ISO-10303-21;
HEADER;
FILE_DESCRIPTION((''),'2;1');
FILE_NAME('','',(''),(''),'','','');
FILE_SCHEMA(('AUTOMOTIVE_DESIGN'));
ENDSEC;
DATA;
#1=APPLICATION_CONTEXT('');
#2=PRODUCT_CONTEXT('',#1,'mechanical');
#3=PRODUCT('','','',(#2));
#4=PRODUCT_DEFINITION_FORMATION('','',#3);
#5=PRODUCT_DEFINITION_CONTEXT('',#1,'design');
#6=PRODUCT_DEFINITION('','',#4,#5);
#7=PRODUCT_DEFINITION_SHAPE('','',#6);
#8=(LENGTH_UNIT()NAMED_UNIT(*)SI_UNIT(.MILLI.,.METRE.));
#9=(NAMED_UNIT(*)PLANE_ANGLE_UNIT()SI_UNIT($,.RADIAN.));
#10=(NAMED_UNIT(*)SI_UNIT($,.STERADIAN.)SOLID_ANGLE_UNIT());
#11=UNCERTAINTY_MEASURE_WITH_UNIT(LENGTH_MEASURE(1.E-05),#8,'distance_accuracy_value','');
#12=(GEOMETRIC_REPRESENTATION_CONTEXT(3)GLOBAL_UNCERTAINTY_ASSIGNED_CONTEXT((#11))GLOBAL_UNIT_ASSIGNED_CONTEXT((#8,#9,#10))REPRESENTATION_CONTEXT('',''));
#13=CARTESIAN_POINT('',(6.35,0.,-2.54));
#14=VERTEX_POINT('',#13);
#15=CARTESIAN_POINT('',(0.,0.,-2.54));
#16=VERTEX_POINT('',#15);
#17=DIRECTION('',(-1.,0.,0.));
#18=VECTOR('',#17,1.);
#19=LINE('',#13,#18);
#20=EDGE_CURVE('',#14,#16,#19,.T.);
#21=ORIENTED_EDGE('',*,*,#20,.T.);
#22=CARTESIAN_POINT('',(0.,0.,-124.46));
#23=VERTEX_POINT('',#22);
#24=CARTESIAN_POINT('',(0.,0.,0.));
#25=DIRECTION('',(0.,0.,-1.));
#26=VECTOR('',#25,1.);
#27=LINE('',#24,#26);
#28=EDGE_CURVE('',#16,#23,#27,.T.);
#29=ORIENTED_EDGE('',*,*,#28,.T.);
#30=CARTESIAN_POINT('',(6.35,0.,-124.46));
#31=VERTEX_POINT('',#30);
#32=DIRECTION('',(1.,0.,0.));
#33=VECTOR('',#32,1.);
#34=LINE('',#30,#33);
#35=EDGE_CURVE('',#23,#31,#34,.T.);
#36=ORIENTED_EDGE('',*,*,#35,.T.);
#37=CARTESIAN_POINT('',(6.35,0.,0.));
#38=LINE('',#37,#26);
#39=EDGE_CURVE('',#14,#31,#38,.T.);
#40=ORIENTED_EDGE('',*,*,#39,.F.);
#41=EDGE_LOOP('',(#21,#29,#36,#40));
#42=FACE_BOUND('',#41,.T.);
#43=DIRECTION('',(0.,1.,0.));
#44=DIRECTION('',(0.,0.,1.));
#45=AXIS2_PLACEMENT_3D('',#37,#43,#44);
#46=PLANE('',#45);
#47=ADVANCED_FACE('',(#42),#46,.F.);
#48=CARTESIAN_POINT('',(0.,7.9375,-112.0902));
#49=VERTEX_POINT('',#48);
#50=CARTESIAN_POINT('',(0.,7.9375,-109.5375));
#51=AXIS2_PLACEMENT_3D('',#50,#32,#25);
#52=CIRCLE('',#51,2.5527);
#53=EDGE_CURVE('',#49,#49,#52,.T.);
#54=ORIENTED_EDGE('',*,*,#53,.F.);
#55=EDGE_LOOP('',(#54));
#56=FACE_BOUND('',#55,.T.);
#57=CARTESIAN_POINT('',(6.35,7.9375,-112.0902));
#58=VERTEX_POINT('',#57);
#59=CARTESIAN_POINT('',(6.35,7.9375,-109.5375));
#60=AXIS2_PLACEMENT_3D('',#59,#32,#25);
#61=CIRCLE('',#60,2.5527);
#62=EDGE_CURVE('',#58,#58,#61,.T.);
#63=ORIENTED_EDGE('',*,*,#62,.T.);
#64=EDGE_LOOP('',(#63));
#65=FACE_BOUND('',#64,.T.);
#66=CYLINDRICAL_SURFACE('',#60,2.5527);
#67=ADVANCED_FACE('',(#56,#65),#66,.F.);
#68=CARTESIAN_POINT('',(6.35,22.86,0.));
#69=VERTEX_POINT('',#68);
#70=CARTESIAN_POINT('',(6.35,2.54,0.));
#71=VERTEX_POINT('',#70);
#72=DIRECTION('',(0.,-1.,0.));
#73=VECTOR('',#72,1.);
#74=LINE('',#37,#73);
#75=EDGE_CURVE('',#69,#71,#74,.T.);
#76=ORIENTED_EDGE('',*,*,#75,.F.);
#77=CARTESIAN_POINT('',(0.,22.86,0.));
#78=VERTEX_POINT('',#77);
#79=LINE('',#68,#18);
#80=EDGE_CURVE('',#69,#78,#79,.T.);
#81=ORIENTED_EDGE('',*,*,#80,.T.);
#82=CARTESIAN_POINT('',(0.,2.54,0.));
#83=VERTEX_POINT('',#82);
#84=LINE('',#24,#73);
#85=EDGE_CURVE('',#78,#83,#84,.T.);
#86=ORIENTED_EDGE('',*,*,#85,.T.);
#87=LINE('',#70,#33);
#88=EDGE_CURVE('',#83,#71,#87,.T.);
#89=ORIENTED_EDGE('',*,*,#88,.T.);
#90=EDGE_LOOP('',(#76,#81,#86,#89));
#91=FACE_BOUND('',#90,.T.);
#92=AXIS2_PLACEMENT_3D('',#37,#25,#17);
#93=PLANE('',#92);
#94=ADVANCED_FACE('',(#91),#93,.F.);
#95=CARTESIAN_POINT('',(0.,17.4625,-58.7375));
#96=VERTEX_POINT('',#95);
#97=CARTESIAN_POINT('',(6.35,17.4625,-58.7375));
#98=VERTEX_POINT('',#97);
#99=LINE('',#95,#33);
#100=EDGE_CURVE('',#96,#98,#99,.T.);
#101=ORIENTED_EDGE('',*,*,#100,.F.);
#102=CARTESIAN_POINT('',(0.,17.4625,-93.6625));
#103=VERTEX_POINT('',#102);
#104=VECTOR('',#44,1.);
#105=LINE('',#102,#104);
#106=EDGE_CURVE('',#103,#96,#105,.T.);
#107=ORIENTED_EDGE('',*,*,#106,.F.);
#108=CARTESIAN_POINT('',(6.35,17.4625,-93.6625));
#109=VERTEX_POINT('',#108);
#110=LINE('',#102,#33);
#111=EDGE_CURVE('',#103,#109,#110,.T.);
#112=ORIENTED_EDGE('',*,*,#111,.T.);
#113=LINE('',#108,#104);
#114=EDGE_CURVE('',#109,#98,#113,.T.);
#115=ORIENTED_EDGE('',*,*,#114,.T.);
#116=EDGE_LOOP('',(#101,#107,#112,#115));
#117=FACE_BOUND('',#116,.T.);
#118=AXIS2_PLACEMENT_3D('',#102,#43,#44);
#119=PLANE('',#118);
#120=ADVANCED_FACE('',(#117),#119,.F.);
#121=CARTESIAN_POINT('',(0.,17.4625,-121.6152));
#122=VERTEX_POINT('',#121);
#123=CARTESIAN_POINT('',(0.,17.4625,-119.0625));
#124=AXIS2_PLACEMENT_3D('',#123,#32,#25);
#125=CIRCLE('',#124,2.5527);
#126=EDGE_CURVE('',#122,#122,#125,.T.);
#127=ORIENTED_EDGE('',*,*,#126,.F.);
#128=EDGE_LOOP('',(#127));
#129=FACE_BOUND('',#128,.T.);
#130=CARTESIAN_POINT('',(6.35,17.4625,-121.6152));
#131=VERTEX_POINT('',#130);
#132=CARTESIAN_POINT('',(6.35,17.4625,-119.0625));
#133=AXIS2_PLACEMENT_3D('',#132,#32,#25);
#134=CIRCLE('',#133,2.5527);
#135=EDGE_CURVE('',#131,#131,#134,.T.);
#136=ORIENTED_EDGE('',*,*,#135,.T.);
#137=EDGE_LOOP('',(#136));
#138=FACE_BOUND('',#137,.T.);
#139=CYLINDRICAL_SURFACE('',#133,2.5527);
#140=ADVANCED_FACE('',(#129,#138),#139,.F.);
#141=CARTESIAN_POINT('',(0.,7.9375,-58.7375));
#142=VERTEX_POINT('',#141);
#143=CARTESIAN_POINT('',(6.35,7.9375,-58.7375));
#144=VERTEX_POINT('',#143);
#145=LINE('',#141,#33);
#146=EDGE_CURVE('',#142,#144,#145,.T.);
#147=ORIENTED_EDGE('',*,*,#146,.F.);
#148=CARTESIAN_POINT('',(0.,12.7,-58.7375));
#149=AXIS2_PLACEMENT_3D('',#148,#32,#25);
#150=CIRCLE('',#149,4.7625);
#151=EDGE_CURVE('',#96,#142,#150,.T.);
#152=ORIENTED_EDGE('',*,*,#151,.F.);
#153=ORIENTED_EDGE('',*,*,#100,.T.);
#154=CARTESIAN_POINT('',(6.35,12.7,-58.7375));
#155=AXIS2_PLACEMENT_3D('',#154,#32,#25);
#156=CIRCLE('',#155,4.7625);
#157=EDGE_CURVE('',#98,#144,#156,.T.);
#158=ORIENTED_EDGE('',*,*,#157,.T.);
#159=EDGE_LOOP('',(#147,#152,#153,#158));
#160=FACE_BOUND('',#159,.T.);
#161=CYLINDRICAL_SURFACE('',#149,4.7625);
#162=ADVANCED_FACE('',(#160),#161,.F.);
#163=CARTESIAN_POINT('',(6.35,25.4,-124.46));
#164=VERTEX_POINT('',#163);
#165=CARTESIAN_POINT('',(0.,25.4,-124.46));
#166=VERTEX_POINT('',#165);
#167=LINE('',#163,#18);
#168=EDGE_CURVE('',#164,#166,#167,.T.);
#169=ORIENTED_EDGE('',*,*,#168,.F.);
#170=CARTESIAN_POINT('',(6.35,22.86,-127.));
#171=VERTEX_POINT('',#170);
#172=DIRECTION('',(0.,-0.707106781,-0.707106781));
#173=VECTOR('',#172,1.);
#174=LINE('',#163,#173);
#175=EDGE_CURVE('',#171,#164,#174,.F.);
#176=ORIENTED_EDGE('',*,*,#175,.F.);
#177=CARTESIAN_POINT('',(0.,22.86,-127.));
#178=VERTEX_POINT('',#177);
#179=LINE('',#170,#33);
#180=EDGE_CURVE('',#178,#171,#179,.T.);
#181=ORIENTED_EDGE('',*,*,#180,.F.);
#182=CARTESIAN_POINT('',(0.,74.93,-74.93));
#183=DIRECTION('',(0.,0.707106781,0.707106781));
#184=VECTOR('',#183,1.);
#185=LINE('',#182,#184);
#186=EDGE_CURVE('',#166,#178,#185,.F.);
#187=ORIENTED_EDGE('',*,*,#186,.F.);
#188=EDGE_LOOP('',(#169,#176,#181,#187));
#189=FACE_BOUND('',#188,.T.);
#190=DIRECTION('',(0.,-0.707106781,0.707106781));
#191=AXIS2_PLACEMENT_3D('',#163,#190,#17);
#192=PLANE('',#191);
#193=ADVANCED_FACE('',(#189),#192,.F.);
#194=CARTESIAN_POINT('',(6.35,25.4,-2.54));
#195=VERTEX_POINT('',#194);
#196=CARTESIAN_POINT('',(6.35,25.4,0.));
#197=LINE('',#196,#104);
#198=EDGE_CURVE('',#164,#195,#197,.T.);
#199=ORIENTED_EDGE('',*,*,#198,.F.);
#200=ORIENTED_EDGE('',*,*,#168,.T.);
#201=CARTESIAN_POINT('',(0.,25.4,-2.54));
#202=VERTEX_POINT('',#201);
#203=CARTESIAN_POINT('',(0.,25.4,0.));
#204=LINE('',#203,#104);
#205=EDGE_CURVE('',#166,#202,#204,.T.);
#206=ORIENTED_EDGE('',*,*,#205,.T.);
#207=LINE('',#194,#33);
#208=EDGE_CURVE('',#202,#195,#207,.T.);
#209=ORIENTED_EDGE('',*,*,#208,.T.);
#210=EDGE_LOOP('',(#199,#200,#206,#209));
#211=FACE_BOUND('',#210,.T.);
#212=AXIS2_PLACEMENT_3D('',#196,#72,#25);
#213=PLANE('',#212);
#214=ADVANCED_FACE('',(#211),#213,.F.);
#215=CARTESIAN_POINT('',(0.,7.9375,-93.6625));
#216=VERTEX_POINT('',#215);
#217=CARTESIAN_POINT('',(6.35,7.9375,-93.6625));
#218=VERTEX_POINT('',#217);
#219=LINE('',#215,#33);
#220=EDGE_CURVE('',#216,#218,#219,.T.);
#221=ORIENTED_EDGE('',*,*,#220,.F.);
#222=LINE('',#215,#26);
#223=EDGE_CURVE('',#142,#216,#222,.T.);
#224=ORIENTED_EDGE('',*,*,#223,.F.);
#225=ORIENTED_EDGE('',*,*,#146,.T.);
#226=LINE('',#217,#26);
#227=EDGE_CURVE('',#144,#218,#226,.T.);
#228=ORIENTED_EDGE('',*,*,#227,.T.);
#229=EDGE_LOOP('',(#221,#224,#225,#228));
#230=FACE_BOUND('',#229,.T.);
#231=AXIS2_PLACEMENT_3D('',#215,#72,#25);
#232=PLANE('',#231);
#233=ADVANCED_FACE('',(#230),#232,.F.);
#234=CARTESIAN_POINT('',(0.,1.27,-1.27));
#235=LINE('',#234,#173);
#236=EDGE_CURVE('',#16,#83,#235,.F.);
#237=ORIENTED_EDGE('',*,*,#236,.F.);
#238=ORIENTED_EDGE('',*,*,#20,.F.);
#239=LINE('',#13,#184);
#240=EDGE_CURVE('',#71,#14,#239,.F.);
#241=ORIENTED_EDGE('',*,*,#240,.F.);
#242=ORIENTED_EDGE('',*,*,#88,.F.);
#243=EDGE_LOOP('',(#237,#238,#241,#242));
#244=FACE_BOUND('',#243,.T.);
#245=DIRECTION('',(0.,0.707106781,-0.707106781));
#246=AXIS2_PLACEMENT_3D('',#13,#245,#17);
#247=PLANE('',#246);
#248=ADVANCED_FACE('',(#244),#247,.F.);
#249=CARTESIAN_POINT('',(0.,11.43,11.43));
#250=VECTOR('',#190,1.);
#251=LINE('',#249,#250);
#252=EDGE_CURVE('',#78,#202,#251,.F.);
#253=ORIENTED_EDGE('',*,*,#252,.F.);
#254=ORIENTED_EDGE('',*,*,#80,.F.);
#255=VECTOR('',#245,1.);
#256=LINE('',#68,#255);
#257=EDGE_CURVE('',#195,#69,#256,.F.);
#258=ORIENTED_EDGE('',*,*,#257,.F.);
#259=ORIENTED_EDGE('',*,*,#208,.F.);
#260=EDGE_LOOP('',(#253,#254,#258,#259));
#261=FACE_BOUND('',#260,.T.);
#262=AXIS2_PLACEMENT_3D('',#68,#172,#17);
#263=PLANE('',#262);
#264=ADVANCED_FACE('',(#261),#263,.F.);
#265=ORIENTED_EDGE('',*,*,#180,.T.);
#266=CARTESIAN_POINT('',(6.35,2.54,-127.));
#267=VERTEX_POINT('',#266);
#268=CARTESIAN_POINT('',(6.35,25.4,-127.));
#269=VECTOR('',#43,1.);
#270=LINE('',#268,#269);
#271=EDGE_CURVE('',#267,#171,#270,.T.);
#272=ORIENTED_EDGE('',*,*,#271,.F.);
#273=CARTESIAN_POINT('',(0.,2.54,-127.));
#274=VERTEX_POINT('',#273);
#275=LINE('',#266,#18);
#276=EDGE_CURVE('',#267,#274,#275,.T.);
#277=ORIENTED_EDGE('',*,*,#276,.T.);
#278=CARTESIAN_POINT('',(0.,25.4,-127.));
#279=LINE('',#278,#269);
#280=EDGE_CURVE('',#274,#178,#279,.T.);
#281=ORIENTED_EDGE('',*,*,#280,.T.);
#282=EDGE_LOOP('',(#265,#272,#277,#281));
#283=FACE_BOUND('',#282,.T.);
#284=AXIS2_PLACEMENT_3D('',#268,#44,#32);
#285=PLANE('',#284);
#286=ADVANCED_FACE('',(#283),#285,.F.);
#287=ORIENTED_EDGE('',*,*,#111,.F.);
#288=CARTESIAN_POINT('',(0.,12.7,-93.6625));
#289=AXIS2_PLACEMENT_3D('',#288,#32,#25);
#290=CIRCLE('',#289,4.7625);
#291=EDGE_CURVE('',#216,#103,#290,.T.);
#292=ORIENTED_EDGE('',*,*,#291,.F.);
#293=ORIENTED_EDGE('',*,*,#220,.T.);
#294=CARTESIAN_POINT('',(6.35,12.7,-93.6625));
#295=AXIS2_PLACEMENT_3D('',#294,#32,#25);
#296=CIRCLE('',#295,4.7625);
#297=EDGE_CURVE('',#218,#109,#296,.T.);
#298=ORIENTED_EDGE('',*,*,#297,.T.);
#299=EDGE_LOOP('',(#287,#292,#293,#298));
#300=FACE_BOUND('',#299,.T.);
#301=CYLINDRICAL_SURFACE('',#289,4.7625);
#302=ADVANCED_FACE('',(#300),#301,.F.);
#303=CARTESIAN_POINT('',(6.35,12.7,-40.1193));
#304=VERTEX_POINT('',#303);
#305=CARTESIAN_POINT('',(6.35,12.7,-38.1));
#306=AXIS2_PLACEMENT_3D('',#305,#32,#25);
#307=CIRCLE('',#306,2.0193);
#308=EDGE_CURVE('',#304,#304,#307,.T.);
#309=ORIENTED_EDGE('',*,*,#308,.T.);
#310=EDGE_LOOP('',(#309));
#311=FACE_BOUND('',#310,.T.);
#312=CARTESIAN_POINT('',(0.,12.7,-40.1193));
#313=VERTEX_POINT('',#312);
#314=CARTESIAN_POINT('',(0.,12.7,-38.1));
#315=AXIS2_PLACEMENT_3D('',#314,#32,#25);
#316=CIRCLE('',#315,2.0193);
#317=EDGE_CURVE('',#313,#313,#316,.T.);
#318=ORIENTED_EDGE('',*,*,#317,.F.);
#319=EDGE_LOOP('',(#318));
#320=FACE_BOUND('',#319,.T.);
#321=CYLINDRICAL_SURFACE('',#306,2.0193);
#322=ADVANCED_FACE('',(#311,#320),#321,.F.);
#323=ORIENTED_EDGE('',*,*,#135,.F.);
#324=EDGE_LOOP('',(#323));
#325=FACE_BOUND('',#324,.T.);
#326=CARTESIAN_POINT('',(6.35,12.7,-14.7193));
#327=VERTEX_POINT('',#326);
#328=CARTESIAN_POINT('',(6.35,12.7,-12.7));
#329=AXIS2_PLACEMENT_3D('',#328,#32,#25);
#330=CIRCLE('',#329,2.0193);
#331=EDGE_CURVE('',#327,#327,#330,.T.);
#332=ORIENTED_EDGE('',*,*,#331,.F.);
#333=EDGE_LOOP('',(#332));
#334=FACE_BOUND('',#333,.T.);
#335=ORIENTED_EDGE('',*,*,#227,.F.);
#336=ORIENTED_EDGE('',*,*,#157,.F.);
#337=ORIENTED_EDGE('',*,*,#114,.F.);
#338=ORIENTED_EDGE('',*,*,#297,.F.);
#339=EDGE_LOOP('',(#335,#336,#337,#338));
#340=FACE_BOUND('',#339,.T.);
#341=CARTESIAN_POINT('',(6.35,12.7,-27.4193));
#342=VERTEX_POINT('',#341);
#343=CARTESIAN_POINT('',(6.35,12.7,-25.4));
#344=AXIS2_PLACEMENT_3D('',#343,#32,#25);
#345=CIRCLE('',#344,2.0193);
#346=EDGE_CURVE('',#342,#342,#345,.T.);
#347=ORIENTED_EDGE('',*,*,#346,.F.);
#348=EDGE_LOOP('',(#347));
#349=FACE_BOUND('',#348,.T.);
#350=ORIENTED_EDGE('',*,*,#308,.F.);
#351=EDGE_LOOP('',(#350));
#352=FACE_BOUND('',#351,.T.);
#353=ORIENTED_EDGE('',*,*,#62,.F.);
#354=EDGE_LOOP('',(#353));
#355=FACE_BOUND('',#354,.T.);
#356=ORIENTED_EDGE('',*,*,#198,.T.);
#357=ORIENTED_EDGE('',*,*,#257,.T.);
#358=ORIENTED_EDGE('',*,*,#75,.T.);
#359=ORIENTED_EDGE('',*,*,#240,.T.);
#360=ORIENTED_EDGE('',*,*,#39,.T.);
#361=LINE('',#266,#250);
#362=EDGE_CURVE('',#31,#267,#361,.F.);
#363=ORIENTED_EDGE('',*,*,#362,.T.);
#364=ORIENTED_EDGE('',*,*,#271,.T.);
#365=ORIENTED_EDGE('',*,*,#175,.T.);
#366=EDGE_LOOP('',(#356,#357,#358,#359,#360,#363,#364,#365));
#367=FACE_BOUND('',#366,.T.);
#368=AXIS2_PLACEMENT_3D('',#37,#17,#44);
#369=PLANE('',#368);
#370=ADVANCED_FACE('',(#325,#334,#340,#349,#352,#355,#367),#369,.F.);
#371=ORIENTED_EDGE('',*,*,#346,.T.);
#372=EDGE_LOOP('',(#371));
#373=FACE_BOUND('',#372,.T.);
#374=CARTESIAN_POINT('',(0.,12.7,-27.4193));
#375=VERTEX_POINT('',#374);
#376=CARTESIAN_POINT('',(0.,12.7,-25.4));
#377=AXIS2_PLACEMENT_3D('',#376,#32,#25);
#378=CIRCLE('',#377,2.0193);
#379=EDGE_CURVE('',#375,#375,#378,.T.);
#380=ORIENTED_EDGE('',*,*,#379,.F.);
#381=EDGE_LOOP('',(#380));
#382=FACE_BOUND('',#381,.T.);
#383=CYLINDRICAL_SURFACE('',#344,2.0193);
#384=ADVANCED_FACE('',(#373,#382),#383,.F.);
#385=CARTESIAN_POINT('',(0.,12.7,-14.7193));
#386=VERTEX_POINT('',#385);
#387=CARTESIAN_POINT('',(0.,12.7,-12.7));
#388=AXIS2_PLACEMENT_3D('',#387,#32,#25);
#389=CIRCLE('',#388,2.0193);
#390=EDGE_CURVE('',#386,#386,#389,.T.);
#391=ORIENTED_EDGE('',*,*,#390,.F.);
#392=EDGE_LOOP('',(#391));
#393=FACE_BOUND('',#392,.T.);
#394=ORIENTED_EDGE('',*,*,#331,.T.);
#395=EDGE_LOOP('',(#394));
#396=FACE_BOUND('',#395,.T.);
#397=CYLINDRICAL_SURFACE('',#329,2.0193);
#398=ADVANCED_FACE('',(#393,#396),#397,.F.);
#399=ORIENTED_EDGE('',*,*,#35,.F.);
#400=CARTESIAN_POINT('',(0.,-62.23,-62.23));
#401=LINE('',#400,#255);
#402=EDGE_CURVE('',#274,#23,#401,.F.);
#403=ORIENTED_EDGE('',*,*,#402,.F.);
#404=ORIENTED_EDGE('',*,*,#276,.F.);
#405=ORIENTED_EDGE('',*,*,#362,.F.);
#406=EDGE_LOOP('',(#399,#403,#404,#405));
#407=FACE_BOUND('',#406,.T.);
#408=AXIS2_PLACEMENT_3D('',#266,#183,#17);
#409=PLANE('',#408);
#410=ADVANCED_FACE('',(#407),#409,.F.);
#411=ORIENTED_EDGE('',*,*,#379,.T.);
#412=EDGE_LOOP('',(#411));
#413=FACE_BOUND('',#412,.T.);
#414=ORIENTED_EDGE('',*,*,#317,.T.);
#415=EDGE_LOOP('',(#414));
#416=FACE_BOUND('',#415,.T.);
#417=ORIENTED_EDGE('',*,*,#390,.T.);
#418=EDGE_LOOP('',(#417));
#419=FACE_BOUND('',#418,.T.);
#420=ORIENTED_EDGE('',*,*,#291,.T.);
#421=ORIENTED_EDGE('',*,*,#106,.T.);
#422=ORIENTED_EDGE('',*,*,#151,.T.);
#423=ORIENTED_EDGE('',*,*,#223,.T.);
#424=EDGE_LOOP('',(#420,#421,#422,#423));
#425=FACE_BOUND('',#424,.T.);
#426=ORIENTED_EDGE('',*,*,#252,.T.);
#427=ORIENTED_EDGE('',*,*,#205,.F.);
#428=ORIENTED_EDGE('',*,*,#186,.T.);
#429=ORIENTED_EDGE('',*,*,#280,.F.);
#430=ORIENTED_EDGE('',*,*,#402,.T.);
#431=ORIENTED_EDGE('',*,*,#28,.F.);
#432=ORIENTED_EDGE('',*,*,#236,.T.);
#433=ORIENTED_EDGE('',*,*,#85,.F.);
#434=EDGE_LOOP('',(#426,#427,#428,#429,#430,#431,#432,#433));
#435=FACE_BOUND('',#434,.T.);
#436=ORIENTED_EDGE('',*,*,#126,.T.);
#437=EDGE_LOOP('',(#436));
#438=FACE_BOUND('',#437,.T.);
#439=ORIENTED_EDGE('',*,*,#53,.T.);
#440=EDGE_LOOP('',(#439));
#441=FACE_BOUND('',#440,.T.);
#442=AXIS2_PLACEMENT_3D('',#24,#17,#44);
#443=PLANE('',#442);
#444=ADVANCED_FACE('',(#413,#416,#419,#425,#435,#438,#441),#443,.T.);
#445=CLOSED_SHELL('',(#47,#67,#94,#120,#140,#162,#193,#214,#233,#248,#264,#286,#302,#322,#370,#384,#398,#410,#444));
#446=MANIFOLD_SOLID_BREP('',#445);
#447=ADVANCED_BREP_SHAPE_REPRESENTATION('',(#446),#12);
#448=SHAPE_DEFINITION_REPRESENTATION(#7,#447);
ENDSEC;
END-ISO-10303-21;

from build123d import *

# Parameters (mm, degrees)
SKETCH1_W              = 127
SKETCH1_H              = 25.4
BOSS_EXTRUDE1_DEPTH    = 6.35
F_10_32_TAPPED_HOLE1_D = 4.0386
F_10_CLEARANCE_HOLE1_D = 5.1054
CHAMFER1_SIZE          = 2.54
CUT_EXTRUDE1_DEPTH     = 7.35


with BuildPart() as part:
    # Sketch1 → Boss-Extrude1 (new body)
    with BuildSketch(Plane(origin=(0, 0, 0), x_dir=(0, 0, -1), z_dir=(1, 0, 0))):
        with Locations((63.5, 12.7)):
            Rectangle(SKETCH1_W, SKETCH1_H)
    extrude(amount=BOSS_EXTRUDE1_DEPTH)

    # #10-32 Tapped Hole1 (through all)
    with Locations(Plane(origin=(6.35, 0, 0), x_dir=(0, 0, -1), z_dir=(1, 0, 0))):
        with Locations((12.7, 12.7), (25.4, 12.7), (38.1, 12.7)):
            Hole(F_10_32_TAPPED_HOLE1_D / 2)

    # #10 Clearance Hole1 (through all)
    with Locations(Plane(origin=(6.35, 0, 0), x_dir=(0, 0, -1), z_dir=(1, 0, 0))):
        with Locations((119.0625, 17.4625), (109.5375, 7.9375)):
            Hole(F_10_CLEARANCE_HOLE1_D / 2)

    # Chamfer1
    chamfer1_edges = [part.edges().sort_by_distance(p)[0] for p in [
        (3.175, 25.4, 0),
        (3.175, 25.4, -127),
        (3.175, 0, -127),
        (3.175, 0, 0),
    ]]
    chamfer(chamfer1_edges, length=CHAMFER1_SIZE)

    # Sketch6 → Cut-Extrude1 (cut, through all)
    with BuildSketch(Plane(origin=(6.35, 0, 0), x_dir=(0, 0, -1), z_dir=(1, 0, 0))):
        with BuildLine():
            Line((93.6625, 7.9375), (58.7375, 7.9375))
            ThreePointArc((58.7375, 7.9375), (53.975, 12.7), (58.7375, 17.4625))
            Line((58.7375, 17.4625), (93.6625, 17.4625))
            ThreePointArc((93.6625, 17.4625), (98.425, 12.7), (93.6625, 7.9375))
        make_face()
    extrude(amount=-CUT_EXTRUDE1_DEPTH, mode=Mode.SUBTRACT)


solid = part.part
